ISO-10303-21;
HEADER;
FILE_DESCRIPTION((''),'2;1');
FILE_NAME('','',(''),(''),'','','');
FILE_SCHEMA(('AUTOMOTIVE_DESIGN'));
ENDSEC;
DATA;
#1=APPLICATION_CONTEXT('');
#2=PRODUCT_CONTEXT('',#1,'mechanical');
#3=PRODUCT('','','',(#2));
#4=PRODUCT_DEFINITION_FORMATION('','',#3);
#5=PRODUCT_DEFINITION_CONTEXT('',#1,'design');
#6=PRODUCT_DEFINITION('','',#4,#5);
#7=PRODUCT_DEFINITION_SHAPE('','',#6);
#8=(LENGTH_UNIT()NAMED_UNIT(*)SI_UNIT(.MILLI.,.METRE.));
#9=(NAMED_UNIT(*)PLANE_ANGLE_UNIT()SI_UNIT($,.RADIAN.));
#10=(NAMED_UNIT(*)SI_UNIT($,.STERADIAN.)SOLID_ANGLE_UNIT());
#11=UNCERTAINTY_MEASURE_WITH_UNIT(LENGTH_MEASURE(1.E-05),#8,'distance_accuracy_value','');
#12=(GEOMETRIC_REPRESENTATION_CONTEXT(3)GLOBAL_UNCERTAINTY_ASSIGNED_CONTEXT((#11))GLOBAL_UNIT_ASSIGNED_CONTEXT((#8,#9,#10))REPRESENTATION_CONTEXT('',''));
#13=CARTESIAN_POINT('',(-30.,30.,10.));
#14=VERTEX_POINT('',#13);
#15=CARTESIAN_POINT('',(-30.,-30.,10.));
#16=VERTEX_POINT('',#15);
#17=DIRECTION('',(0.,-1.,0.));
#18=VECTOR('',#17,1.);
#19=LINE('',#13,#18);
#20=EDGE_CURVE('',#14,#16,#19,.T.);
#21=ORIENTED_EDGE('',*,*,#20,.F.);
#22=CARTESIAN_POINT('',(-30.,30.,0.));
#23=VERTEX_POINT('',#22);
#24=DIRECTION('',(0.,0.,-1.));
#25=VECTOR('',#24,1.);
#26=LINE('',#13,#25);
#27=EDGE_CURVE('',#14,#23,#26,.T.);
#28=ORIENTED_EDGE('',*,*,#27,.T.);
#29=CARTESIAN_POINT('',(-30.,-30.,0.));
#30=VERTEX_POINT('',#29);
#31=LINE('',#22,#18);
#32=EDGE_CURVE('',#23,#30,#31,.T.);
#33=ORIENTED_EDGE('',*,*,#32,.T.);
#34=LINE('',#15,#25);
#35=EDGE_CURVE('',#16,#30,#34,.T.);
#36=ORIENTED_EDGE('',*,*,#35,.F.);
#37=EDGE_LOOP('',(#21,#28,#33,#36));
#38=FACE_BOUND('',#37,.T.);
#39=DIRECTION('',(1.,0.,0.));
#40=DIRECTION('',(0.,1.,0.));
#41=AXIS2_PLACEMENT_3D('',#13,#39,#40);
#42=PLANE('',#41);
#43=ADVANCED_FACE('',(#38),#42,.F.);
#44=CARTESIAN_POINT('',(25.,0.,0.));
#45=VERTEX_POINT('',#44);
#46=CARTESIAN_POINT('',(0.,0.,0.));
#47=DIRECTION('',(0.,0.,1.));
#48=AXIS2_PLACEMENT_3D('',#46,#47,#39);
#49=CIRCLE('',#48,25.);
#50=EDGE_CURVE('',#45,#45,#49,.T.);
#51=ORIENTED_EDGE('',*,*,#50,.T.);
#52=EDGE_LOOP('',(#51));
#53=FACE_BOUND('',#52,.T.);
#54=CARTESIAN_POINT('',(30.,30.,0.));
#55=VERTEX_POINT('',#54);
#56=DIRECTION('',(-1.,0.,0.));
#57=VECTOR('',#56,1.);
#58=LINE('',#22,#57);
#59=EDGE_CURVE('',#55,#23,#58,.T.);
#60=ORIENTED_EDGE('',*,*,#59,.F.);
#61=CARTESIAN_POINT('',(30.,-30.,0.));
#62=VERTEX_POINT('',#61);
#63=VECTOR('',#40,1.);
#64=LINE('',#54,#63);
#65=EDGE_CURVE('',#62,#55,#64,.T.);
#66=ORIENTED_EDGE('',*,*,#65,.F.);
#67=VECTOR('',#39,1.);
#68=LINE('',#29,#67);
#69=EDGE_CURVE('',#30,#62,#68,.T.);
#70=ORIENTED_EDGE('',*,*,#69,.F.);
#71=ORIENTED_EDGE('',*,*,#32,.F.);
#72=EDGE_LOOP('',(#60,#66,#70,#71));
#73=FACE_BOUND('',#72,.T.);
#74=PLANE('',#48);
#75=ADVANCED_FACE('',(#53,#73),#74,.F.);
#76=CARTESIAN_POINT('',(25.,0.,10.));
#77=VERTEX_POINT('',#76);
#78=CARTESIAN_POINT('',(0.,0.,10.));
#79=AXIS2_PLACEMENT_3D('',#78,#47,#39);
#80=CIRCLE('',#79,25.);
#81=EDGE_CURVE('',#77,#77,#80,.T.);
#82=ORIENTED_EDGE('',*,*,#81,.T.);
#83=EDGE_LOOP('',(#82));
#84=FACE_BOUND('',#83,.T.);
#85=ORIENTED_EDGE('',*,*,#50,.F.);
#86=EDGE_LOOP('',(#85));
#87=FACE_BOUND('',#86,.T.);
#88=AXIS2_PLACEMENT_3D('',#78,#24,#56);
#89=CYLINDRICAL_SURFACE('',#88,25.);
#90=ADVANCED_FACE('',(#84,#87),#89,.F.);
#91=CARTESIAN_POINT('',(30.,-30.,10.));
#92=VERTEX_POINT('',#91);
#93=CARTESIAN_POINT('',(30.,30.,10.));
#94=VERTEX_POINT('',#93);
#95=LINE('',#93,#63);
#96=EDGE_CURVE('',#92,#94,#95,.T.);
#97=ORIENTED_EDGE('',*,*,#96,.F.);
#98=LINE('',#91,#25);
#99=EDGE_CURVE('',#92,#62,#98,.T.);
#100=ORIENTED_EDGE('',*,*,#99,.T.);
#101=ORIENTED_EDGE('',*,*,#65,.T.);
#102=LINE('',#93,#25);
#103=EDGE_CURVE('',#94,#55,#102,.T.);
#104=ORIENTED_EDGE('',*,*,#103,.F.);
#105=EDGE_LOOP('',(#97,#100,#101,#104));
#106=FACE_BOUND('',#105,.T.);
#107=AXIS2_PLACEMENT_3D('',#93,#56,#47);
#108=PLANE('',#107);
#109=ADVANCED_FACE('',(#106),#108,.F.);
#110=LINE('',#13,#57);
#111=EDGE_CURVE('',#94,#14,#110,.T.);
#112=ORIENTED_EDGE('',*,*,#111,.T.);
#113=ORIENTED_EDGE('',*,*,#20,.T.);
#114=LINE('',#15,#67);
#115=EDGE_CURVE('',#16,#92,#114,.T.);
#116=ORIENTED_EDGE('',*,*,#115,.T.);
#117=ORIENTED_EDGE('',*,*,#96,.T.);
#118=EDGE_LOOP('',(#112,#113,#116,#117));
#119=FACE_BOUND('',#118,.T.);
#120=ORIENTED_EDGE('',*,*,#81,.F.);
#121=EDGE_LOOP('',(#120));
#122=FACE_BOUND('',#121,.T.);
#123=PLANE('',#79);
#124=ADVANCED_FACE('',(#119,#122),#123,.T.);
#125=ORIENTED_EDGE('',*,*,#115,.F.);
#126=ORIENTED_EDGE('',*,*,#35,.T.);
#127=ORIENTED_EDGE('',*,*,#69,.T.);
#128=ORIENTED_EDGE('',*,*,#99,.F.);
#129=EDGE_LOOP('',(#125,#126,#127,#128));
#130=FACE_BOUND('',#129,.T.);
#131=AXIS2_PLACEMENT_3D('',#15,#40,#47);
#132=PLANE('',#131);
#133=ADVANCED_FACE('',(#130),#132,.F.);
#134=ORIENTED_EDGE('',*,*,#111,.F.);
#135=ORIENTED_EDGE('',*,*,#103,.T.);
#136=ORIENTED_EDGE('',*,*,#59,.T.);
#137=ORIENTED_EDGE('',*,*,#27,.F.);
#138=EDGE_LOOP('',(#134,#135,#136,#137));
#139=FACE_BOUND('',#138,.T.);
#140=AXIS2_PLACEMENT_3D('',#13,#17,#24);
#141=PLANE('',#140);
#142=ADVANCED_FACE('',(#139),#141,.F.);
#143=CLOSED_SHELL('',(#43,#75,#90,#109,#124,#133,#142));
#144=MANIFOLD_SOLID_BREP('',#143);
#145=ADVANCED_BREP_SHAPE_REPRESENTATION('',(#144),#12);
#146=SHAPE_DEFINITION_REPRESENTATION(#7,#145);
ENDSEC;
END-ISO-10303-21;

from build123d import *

# Parameters (mm, degrees)
SCHIZZO1_W                   = 60
SCHIZZO1_H                   = 60
SCHIZZO1_R                   = 25
ESTRUSIONE_ESTRUSIONE2_DEPTH = 10


with BuildPart() as part:
    # Schizzo1 → Estrusione-Estrusione2 (new body)
    with BuildSketch(Plane.XY):
        Rectangle(SCHIZZO1_W, SCHIZZO1_H)
        Circle(SCHIZZO1_R, mode=Mode.SUBTRACT)
    extrude(amount=ESTRUSIONE_ESTRUSIONE2_DEPTH)


solid = part.part
